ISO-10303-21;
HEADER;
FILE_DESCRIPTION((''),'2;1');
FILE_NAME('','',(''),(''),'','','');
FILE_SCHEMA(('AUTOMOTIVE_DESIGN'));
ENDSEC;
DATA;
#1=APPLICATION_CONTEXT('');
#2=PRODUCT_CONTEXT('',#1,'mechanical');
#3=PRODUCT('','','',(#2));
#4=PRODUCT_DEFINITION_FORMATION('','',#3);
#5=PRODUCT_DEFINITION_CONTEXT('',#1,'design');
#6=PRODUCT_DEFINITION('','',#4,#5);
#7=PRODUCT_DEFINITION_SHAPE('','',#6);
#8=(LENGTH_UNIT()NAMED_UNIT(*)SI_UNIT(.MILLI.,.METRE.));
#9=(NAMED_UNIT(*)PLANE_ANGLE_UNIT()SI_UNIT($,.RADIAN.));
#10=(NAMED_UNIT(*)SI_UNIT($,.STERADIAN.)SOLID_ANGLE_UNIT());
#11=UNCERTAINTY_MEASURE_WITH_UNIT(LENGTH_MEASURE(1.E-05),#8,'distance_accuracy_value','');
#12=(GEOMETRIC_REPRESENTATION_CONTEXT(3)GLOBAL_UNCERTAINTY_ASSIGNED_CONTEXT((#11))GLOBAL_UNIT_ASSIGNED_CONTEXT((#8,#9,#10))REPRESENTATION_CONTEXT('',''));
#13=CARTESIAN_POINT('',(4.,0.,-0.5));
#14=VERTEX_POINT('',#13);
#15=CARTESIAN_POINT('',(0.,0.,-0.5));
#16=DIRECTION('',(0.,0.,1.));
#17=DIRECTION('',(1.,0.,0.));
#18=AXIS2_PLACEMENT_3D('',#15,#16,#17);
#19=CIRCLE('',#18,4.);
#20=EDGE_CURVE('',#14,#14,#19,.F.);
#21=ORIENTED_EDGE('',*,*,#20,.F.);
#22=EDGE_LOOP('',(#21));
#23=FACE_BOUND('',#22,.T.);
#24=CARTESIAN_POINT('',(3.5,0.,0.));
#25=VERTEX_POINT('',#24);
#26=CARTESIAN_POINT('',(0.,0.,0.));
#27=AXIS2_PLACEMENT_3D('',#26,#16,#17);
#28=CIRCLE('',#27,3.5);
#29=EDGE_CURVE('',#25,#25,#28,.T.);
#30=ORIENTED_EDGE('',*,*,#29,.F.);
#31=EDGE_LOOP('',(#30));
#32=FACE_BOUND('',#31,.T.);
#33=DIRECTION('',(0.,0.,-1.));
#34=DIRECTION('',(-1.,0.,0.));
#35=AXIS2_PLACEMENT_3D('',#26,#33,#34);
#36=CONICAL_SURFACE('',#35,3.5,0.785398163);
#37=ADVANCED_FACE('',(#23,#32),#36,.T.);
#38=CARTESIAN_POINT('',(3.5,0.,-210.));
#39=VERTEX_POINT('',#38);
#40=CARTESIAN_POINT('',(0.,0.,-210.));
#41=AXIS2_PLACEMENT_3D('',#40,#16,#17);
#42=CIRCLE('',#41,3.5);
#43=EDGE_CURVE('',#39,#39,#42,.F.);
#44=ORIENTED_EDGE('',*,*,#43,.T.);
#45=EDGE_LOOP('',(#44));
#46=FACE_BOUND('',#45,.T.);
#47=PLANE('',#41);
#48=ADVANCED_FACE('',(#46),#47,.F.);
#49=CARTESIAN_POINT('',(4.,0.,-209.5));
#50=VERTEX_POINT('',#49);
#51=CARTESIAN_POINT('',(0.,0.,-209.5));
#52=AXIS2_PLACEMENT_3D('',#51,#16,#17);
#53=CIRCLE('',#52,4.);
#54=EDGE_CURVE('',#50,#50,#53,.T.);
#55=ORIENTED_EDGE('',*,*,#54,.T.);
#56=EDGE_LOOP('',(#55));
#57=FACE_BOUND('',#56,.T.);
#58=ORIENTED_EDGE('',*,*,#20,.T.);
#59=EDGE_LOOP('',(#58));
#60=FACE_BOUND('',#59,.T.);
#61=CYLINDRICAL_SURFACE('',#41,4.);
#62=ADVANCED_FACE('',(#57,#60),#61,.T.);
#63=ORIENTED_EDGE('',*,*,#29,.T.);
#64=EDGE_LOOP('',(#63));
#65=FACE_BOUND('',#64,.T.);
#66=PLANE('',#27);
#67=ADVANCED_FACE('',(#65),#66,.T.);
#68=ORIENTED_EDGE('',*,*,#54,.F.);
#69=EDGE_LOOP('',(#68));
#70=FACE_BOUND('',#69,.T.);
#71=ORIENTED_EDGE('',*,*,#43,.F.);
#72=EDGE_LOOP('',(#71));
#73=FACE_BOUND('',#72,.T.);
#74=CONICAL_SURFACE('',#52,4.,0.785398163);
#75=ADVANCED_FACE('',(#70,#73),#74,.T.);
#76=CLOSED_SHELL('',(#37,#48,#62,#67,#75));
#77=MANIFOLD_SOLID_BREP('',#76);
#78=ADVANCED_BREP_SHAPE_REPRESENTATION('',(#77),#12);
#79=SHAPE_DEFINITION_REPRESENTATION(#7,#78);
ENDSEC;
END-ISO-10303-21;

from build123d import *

# Parameters (mm, degrees)
SKETCH1_R           = 4
BOSS_EXTRUDE1_DEPTH = 210
CHAMFER1_SIZE       = 0.5


with BuildPart() as part:
    # Sketch1 → Boss-Extrude1 (new body)
    with BuildSketch(Plane.XY):
        Circle(SKETCH1_R)
    extrude(amount=-BOSS_EXTRUDE1_DEPTH)

    # Chamfer1
    chamfer1_edges = [part.edges().sort_by_distance(p)[0] for p in [
        (-4, 0, 0),
        (-4, 0, -210),
    ]]
    chamfer(chamfer1_edges, length=CHAMFER1_SIZE)


solid = part.part
